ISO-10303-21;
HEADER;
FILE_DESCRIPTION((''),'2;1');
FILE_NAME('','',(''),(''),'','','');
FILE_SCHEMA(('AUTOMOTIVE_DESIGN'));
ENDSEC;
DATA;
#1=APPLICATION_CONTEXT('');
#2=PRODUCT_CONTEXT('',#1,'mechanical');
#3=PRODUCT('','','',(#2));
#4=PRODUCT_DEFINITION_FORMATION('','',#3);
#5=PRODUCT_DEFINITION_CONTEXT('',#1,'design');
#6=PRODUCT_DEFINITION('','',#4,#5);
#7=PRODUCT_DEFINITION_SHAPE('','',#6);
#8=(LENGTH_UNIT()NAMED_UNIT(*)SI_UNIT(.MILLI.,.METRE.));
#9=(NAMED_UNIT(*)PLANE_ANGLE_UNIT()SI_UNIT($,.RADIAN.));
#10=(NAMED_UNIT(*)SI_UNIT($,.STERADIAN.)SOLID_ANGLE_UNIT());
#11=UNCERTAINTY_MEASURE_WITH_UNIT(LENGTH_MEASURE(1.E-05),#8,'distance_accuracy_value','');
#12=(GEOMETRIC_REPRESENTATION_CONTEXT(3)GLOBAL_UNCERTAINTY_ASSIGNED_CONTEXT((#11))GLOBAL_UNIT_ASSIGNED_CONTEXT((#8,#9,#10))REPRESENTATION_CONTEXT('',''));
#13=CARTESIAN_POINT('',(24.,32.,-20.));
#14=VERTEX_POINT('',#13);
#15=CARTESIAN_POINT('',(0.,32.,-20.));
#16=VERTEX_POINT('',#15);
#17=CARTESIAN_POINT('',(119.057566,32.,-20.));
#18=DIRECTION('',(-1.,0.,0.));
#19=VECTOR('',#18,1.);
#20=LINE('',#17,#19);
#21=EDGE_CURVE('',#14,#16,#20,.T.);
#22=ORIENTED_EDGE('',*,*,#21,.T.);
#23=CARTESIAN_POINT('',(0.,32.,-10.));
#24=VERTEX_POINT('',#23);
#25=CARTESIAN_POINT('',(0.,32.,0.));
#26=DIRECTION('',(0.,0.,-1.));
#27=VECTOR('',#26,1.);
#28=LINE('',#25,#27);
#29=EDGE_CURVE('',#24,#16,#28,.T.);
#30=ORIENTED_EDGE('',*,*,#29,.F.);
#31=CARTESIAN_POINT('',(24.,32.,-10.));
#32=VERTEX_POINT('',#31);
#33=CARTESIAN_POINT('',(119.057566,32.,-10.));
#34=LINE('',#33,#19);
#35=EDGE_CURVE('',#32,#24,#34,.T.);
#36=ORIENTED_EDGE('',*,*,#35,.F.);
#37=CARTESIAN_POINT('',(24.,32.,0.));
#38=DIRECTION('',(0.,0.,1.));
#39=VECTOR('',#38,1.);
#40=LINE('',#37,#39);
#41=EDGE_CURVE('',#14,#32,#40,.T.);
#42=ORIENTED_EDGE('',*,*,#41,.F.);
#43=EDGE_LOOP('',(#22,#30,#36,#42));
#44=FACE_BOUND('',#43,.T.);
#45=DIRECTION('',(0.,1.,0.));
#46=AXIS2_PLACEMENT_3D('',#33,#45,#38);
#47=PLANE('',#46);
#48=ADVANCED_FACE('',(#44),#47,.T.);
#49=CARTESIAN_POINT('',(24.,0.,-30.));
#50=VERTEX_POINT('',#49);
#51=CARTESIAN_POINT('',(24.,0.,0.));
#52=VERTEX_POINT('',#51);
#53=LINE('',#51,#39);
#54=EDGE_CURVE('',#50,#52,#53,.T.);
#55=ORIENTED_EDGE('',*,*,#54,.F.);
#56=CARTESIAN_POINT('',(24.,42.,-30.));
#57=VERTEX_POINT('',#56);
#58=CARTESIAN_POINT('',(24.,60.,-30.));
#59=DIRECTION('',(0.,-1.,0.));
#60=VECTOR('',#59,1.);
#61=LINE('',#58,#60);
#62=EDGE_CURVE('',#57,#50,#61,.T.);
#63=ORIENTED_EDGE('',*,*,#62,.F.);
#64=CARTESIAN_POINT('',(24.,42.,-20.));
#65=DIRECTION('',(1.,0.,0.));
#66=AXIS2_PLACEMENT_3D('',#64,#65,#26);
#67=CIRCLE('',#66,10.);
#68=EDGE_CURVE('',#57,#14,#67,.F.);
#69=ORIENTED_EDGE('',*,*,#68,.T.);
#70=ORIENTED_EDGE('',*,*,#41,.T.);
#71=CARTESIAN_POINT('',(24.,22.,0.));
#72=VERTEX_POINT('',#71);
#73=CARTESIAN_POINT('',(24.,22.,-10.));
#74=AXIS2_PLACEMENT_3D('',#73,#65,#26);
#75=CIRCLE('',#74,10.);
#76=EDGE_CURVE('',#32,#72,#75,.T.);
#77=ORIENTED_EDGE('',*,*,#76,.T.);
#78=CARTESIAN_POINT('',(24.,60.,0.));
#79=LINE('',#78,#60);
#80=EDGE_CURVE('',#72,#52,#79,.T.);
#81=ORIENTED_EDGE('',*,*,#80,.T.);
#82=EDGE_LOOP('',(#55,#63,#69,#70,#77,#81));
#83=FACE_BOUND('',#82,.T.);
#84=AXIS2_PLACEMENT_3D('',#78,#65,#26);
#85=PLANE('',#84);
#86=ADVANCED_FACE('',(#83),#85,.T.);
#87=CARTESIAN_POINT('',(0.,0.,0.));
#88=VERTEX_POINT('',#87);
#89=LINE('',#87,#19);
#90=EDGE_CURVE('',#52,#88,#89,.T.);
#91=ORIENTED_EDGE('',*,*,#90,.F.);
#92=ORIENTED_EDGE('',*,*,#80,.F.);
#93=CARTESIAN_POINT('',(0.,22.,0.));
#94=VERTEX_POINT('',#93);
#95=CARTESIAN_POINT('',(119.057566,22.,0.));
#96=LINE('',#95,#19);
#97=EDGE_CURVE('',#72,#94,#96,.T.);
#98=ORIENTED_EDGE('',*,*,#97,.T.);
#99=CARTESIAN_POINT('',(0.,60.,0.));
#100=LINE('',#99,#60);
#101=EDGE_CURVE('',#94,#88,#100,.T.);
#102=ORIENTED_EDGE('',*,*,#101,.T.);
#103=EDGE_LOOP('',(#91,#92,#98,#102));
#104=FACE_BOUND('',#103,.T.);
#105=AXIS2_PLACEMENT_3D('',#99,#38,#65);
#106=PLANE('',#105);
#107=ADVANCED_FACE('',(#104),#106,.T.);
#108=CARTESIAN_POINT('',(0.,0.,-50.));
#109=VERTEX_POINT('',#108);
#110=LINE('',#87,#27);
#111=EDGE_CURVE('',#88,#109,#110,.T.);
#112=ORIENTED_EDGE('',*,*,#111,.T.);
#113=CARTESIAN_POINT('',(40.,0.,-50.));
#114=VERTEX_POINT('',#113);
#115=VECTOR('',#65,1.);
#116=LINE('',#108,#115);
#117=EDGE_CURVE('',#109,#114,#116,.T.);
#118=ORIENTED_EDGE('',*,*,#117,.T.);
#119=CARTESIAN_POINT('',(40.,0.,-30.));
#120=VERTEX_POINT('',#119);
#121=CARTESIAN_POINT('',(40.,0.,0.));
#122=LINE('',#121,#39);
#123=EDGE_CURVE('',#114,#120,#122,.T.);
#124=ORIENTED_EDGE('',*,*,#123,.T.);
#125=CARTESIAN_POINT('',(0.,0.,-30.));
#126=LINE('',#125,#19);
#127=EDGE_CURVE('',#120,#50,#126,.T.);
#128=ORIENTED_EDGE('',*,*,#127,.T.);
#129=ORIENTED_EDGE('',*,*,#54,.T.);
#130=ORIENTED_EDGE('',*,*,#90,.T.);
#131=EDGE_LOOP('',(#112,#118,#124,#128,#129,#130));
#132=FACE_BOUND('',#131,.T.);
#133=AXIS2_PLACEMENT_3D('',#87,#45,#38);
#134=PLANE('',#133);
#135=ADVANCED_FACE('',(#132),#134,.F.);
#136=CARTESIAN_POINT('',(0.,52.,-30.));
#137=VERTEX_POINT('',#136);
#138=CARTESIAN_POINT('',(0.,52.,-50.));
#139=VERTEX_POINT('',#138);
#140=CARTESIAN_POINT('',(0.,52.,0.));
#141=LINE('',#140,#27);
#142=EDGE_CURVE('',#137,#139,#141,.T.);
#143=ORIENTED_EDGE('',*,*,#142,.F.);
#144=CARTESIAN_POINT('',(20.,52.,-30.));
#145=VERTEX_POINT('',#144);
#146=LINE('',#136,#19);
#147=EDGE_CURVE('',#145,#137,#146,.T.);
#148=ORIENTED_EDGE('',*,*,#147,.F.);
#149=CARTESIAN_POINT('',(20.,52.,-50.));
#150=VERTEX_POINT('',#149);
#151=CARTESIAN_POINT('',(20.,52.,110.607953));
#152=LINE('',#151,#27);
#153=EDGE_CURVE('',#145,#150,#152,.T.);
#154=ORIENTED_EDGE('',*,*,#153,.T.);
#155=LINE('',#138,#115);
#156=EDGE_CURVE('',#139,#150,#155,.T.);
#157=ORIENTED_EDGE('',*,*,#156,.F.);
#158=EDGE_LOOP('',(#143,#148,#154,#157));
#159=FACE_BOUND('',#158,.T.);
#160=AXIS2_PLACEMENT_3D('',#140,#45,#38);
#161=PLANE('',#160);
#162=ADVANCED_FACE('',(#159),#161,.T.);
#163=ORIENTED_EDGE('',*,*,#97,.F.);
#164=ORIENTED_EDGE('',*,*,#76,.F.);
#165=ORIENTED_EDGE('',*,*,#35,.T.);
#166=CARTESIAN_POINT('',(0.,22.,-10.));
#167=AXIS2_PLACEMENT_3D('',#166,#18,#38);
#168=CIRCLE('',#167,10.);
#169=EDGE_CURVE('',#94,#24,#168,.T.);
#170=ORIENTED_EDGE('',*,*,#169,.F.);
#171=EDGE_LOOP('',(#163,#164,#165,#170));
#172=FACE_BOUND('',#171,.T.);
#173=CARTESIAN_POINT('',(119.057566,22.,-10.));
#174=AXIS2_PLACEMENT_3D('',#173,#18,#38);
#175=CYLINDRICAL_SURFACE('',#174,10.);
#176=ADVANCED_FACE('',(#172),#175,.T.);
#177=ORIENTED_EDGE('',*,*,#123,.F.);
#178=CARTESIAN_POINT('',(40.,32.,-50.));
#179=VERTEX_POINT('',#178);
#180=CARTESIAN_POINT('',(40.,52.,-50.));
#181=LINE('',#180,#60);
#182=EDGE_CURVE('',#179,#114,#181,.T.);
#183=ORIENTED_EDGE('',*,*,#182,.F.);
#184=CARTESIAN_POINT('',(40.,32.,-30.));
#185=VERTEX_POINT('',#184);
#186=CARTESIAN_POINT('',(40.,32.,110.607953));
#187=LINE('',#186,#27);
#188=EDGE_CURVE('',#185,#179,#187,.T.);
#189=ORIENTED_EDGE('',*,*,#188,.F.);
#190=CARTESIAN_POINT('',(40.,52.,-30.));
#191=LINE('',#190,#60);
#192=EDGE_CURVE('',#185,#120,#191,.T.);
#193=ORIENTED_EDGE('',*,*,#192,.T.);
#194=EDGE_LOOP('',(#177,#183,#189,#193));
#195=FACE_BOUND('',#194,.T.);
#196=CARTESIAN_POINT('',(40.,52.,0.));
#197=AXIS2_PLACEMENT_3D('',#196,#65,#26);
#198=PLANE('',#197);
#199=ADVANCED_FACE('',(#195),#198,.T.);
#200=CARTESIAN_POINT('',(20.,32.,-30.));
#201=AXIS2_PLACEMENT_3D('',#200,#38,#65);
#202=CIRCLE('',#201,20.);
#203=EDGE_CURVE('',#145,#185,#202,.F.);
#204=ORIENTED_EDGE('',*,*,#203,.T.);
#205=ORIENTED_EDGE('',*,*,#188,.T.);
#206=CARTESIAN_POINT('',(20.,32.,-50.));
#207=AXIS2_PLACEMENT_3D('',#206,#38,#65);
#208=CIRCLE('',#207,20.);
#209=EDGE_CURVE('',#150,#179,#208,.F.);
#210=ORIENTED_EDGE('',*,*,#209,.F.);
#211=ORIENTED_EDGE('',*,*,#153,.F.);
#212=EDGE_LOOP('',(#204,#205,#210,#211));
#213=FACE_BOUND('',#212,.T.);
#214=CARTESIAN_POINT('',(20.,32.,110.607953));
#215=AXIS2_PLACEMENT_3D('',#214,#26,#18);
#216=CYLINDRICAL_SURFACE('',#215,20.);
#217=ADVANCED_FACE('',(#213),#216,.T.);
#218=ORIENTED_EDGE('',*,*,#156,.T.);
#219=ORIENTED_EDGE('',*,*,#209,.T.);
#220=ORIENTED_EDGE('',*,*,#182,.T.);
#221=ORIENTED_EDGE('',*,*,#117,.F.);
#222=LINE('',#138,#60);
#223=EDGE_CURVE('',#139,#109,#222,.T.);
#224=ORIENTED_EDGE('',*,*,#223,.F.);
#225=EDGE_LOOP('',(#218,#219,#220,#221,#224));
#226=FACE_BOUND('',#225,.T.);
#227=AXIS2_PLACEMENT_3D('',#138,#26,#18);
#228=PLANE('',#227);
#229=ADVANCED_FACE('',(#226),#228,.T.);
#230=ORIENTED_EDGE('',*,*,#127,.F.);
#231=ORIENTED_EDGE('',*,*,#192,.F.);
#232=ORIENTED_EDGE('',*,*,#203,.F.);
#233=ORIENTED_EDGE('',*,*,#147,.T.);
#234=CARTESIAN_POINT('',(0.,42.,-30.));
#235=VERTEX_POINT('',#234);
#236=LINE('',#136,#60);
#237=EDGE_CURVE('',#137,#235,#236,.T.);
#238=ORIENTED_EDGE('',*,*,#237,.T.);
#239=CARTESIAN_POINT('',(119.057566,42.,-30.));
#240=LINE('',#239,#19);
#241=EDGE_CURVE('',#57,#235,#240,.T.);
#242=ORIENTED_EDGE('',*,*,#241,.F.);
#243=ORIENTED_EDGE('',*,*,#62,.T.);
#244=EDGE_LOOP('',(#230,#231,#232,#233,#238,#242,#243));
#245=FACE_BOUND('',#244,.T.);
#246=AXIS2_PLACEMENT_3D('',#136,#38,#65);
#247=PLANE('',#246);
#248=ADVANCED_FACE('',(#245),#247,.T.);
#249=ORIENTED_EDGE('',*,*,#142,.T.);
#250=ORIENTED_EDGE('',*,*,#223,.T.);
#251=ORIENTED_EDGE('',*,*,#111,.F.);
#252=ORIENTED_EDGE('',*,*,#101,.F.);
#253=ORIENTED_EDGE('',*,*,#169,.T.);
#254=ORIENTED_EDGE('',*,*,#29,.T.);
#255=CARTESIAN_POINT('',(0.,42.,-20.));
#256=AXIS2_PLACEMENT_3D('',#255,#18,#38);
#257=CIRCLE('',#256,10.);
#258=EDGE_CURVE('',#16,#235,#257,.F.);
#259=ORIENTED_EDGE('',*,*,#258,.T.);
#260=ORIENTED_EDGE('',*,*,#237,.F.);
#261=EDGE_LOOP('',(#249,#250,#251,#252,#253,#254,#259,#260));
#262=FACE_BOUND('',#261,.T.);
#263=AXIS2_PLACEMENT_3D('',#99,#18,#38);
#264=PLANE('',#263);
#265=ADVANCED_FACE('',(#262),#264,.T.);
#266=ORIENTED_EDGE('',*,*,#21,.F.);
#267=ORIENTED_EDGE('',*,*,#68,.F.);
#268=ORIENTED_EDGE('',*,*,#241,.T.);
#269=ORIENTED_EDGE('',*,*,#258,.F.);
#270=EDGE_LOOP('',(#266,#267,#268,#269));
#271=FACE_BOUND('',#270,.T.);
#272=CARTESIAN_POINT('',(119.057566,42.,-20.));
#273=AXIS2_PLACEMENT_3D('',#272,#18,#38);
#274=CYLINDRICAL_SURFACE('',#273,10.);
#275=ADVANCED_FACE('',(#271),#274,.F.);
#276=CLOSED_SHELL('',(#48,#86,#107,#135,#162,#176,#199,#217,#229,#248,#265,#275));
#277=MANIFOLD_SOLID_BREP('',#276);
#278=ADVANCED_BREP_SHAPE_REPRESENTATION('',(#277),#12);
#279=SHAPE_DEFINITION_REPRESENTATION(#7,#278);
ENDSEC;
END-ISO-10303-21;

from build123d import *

# Parameters (mm, degrees)
SKETCH1_W               = 24
SKETCH1_H               = 30
BOSS_EXTRUDE1_DEPTH     = 60
CUT_EXTRUDE1_DEPTH      = 25
CUT_EXTRUDE1_DEPTH_BACK = 1
BOSS_EXTRUDE2_DEPTH     = 52
CUT_EXTRUDE3_DEPTH      = 31
CUT_EXTRUDE3_DEPTH_BACK = 20


with BuildPart() as part:
    # Sketch1 → Boss-Extrude1 (new body)
    with BuildSketch(Plane(origin=(0, 0, 0), x_dir=(1, 0, 0), z_dir=(0, 1, 0))):
        with Locations((12, 15)):
            Rectangle(SKETCH1_W, SKETCH1_H)
    extrude(amount=BOSS_EXTRUDE1_DEPTH)

    # Sketch2 → Cut-Extrude1 (cut, two sides)
    with BuildSketch(Plane(origin=(0, 0, 0), x_dir=(0, 0, -1), z_dir=(1, 0, 0))) as cut_extrude1_sk:
        with BuildLine():
            Line((0, 60), (0, 22))
            ThreePointArc((0, 22), (2.928932188, 29.071067812), (10, 32))
            Line((10, 32), (20, 32))
            ThreePointArc((20, 32), (27.071067812, 34.928932188), (30, 42))
            Line((30, 42), (30, 60))
            Line((30, 60), (0, 60))
        make_face()
    extrude(amount=CUT_EXTRUDE1_DEPTH, mode=Mode.SUBTRACT)
    extrude(cut_extrude1_sk.sketch, amount=-CUT_EXTRUDE1_DEPTH_BACK, mode=Mode.SUBTRACT)

    # Sketch1<5> → Boss-Extrude2 (add)
    with BuildSketch(Plane(origin=(0, 0, 0), x_dir=(1, 0, 0), z_dir=(0, 1, 0))):
        Polygon((0, 50), (0, 30), (24, 30), (40, 30), (40, 50), align=None)
    extrude(amount=BOSS_EXTRUDE2_DEPTH)

    # Sketch5 → Cut-Extrude3 (cut, two sides)
    with BuildSketch(Plane.XY.offset(-30)) as cut_extrude3_sk:
        with BuildLine():
            Line((-101.427106217, 52), (20, 52))
            ThreePointArc((20, 52), (34.142135624, 46.142135624), (40, 32))
            Line((40, 32), (40, -89.427106217))
            Line((40, -89.427106217), (211.723860452, 82.296754235))
            Line((211.723860452, 82.296754235), (70.296754235, 223.723860452))
            Line((70.296754235, 223.723860452), (-101.427106217, 52))
        make_face()
    extrude(amount=CUT_EXTRUDE3_DEPTH, mode=Mode.SUBTRACT)
    extrude(cut_extrude3_sk.sketch, amount=-CUT_EXTRUDE3_DEPTH_BACK, mode=Mode.SUBTRACT)


solid = part.part
